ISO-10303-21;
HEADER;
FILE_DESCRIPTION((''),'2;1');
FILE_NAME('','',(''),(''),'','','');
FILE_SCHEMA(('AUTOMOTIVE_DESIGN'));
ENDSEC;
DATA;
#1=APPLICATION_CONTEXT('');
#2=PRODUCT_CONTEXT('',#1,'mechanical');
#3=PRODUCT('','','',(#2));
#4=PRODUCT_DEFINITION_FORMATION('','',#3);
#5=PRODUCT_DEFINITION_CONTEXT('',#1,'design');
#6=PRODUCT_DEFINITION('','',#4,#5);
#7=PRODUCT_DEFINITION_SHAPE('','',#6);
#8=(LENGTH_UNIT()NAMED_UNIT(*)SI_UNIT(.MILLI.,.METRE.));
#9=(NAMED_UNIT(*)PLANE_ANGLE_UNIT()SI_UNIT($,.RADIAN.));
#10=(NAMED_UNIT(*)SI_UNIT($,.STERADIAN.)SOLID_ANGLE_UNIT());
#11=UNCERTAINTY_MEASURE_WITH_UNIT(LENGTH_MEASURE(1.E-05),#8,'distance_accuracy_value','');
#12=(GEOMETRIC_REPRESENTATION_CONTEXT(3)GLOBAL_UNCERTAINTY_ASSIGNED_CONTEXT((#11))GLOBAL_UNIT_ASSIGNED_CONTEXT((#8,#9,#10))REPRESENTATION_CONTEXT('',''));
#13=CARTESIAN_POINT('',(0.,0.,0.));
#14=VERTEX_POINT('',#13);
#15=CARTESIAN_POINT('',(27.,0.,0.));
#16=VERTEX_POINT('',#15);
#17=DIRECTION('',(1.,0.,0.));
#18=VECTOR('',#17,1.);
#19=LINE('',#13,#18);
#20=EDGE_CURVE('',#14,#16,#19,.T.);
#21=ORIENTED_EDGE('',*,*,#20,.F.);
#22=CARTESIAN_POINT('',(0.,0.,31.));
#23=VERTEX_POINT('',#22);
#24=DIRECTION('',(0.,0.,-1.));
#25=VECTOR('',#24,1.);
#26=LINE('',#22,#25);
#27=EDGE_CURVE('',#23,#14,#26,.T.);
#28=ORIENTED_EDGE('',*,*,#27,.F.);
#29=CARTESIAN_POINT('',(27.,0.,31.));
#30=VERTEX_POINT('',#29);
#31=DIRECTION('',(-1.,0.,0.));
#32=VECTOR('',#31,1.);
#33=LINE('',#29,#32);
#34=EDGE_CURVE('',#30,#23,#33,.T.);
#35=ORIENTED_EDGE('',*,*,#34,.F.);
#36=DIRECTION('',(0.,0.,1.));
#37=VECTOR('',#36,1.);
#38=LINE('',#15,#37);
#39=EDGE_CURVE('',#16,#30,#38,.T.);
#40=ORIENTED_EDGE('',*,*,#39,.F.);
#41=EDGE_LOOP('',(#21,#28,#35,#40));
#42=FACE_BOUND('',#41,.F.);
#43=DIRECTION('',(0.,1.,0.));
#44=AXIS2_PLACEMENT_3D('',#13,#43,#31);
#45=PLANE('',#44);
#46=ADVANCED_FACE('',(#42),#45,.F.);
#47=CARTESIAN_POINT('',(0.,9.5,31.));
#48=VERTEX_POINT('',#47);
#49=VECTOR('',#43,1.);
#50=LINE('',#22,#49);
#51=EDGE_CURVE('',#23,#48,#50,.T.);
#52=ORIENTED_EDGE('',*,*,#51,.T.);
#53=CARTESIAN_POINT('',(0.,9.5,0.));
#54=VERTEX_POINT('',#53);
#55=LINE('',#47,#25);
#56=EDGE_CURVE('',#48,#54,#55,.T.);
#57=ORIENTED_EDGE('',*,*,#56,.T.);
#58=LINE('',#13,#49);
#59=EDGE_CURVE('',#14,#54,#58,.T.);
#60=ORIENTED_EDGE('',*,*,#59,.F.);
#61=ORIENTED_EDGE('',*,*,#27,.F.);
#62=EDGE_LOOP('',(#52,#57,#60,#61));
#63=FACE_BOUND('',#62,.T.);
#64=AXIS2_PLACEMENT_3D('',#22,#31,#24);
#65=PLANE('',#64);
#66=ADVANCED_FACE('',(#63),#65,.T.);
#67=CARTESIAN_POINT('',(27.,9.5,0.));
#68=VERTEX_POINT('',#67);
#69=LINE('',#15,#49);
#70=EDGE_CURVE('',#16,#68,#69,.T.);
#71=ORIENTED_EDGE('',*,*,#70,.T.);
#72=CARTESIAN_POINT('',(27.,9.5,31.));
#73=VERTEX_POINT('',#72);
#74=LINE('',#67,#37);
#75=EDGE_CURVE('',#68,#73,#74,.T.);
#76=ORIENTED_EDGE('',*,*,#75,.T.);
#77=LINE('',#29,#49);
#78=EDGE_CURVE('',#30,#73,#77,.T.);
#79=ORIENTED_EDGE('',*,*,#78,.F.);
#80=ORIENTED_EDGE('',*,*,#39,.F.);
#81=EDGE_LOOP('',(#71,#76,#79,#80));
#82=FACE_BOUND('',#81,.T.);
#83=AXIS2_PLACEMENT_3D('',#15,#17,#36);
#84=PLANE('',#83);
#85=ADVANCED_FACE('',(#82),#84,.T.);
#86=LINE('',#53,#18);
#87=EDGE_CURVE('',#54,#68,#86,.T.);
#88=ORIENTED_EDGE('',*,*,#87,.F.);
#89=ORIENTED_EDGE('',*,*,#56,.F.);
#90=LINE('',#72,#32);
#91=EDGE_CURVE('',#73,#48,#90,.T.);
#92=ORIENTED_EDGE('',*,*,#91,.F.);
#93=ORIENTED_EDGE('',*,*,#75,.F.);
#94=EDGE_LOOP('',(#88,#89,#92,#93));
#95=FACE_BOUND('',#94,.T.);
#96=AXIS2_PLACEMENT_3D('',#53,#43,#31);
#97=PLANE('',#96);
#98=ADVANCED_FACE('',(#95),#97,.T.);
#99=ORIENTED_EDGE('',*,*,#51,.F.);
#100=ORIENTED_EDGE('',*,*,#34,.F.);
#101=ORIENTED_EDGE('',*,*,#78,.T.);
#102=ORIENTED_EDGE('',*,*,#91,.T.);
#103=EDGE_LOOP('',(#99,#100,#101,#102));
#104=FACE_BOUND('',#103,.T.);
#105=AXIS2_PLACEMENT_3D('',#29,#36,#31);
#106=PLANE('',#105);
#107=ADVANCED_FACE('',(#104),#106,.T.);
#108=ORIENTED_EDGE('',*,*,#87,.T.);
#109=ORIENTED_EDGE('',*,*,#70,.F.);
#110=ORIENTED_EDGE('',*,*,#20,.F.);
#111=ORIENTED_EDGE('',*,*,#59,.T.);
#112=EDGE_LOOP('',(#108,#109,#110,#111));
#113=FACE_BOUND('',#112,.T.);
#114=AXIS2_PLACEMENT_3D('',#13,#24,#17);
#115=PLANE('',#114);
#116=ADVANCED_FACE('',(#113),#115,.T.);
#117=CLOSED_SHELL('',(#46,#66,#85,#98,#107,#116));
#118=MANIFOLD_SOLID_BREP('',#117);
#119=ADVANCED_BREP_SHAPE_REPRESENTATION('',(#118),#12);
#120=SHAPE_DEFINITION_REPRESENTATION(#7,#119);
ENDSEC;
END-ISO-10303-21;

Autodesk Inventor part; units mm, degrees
ref_plane "YZ Plane" through (0, 0, 0) normal (1, 0, 0) x (0, 1, 0)
ref_plane "XZ Plane" through (0, 0, 0) normal (0, 1, 0) x (-1, 0, 0)
ref_plane "XY Plane" through (0, 0, 0) normal (0, 0, 1) x (1, 0, 0)
sketch "Sketch1" plane through (0, 0, 0) normal (0, 1, 0) x (-1, 0, 0)
  line L0 (0, 0) -> (-27, 0)
  line L1 (-27, 0) -> (-27, 31)
  line L2 (-27, 31) -> (0, 31)
  line L3 (0, 31) -> (0, 0)
  dimension "d0" = 27
  dimension "d1" = 31
extrude "Extrusion1" add sketch "Sketch1" along normal blind 9.5
sketch "Sketch2" plane through (0, 9.5, 0) normal (0, 1, 0) x (1, 0, 0)
  line L0 (0.3486, -29.4936) -> (0.3486, -19.4233) construction
  line L1 (0.3486, -19.4233) -> (3.5152, -19.4233) construction
  line L2 (3.5152, -19.4233) -> (3.5152, -29.4936) construction
  line L3 (3.5152, -29.4936) -> (0.3486, -29.4936) construction
  line L4 (5.6321, -17.1808) -> (5.6321, 7.9887) construction
  line L5 (5.6321, 7.9887) -> (8.7887, 7.9887) construction
  line L6 (8.7887, 7.9887) -> (8.7887, -17.1808) construction
  line L7 (8.7887, -17.1808) -> (5.6321, -17.1808) construction
  line L8 (18.5381, -16.6448) -> (18.5381, 8.5642) construction
  line L9 (18.5381, 8.5642) -> (21.6948, 8.5642) construction
  line L10 (21.6948, 8.5642) -> (21.6948, -16.6448) construction
  line L11 (21.6948, -16.6448) -> (18.5381, -16.6448) construction
  line L12 (18.1944, -30.5524) -> (18.1944, -25.3753) construction
  line L13 (18.1944, -25.3753) -> (21.3511, -25.3753) construction
  line L14 (21.3511, -25.3753) -> (21.3511, -30.5524) construction
  line L15 (21.3511, -30.5524) -> (18.1944, -30.5524) construction
  point P0 (0, 0)
properties part number "MKS_express"
